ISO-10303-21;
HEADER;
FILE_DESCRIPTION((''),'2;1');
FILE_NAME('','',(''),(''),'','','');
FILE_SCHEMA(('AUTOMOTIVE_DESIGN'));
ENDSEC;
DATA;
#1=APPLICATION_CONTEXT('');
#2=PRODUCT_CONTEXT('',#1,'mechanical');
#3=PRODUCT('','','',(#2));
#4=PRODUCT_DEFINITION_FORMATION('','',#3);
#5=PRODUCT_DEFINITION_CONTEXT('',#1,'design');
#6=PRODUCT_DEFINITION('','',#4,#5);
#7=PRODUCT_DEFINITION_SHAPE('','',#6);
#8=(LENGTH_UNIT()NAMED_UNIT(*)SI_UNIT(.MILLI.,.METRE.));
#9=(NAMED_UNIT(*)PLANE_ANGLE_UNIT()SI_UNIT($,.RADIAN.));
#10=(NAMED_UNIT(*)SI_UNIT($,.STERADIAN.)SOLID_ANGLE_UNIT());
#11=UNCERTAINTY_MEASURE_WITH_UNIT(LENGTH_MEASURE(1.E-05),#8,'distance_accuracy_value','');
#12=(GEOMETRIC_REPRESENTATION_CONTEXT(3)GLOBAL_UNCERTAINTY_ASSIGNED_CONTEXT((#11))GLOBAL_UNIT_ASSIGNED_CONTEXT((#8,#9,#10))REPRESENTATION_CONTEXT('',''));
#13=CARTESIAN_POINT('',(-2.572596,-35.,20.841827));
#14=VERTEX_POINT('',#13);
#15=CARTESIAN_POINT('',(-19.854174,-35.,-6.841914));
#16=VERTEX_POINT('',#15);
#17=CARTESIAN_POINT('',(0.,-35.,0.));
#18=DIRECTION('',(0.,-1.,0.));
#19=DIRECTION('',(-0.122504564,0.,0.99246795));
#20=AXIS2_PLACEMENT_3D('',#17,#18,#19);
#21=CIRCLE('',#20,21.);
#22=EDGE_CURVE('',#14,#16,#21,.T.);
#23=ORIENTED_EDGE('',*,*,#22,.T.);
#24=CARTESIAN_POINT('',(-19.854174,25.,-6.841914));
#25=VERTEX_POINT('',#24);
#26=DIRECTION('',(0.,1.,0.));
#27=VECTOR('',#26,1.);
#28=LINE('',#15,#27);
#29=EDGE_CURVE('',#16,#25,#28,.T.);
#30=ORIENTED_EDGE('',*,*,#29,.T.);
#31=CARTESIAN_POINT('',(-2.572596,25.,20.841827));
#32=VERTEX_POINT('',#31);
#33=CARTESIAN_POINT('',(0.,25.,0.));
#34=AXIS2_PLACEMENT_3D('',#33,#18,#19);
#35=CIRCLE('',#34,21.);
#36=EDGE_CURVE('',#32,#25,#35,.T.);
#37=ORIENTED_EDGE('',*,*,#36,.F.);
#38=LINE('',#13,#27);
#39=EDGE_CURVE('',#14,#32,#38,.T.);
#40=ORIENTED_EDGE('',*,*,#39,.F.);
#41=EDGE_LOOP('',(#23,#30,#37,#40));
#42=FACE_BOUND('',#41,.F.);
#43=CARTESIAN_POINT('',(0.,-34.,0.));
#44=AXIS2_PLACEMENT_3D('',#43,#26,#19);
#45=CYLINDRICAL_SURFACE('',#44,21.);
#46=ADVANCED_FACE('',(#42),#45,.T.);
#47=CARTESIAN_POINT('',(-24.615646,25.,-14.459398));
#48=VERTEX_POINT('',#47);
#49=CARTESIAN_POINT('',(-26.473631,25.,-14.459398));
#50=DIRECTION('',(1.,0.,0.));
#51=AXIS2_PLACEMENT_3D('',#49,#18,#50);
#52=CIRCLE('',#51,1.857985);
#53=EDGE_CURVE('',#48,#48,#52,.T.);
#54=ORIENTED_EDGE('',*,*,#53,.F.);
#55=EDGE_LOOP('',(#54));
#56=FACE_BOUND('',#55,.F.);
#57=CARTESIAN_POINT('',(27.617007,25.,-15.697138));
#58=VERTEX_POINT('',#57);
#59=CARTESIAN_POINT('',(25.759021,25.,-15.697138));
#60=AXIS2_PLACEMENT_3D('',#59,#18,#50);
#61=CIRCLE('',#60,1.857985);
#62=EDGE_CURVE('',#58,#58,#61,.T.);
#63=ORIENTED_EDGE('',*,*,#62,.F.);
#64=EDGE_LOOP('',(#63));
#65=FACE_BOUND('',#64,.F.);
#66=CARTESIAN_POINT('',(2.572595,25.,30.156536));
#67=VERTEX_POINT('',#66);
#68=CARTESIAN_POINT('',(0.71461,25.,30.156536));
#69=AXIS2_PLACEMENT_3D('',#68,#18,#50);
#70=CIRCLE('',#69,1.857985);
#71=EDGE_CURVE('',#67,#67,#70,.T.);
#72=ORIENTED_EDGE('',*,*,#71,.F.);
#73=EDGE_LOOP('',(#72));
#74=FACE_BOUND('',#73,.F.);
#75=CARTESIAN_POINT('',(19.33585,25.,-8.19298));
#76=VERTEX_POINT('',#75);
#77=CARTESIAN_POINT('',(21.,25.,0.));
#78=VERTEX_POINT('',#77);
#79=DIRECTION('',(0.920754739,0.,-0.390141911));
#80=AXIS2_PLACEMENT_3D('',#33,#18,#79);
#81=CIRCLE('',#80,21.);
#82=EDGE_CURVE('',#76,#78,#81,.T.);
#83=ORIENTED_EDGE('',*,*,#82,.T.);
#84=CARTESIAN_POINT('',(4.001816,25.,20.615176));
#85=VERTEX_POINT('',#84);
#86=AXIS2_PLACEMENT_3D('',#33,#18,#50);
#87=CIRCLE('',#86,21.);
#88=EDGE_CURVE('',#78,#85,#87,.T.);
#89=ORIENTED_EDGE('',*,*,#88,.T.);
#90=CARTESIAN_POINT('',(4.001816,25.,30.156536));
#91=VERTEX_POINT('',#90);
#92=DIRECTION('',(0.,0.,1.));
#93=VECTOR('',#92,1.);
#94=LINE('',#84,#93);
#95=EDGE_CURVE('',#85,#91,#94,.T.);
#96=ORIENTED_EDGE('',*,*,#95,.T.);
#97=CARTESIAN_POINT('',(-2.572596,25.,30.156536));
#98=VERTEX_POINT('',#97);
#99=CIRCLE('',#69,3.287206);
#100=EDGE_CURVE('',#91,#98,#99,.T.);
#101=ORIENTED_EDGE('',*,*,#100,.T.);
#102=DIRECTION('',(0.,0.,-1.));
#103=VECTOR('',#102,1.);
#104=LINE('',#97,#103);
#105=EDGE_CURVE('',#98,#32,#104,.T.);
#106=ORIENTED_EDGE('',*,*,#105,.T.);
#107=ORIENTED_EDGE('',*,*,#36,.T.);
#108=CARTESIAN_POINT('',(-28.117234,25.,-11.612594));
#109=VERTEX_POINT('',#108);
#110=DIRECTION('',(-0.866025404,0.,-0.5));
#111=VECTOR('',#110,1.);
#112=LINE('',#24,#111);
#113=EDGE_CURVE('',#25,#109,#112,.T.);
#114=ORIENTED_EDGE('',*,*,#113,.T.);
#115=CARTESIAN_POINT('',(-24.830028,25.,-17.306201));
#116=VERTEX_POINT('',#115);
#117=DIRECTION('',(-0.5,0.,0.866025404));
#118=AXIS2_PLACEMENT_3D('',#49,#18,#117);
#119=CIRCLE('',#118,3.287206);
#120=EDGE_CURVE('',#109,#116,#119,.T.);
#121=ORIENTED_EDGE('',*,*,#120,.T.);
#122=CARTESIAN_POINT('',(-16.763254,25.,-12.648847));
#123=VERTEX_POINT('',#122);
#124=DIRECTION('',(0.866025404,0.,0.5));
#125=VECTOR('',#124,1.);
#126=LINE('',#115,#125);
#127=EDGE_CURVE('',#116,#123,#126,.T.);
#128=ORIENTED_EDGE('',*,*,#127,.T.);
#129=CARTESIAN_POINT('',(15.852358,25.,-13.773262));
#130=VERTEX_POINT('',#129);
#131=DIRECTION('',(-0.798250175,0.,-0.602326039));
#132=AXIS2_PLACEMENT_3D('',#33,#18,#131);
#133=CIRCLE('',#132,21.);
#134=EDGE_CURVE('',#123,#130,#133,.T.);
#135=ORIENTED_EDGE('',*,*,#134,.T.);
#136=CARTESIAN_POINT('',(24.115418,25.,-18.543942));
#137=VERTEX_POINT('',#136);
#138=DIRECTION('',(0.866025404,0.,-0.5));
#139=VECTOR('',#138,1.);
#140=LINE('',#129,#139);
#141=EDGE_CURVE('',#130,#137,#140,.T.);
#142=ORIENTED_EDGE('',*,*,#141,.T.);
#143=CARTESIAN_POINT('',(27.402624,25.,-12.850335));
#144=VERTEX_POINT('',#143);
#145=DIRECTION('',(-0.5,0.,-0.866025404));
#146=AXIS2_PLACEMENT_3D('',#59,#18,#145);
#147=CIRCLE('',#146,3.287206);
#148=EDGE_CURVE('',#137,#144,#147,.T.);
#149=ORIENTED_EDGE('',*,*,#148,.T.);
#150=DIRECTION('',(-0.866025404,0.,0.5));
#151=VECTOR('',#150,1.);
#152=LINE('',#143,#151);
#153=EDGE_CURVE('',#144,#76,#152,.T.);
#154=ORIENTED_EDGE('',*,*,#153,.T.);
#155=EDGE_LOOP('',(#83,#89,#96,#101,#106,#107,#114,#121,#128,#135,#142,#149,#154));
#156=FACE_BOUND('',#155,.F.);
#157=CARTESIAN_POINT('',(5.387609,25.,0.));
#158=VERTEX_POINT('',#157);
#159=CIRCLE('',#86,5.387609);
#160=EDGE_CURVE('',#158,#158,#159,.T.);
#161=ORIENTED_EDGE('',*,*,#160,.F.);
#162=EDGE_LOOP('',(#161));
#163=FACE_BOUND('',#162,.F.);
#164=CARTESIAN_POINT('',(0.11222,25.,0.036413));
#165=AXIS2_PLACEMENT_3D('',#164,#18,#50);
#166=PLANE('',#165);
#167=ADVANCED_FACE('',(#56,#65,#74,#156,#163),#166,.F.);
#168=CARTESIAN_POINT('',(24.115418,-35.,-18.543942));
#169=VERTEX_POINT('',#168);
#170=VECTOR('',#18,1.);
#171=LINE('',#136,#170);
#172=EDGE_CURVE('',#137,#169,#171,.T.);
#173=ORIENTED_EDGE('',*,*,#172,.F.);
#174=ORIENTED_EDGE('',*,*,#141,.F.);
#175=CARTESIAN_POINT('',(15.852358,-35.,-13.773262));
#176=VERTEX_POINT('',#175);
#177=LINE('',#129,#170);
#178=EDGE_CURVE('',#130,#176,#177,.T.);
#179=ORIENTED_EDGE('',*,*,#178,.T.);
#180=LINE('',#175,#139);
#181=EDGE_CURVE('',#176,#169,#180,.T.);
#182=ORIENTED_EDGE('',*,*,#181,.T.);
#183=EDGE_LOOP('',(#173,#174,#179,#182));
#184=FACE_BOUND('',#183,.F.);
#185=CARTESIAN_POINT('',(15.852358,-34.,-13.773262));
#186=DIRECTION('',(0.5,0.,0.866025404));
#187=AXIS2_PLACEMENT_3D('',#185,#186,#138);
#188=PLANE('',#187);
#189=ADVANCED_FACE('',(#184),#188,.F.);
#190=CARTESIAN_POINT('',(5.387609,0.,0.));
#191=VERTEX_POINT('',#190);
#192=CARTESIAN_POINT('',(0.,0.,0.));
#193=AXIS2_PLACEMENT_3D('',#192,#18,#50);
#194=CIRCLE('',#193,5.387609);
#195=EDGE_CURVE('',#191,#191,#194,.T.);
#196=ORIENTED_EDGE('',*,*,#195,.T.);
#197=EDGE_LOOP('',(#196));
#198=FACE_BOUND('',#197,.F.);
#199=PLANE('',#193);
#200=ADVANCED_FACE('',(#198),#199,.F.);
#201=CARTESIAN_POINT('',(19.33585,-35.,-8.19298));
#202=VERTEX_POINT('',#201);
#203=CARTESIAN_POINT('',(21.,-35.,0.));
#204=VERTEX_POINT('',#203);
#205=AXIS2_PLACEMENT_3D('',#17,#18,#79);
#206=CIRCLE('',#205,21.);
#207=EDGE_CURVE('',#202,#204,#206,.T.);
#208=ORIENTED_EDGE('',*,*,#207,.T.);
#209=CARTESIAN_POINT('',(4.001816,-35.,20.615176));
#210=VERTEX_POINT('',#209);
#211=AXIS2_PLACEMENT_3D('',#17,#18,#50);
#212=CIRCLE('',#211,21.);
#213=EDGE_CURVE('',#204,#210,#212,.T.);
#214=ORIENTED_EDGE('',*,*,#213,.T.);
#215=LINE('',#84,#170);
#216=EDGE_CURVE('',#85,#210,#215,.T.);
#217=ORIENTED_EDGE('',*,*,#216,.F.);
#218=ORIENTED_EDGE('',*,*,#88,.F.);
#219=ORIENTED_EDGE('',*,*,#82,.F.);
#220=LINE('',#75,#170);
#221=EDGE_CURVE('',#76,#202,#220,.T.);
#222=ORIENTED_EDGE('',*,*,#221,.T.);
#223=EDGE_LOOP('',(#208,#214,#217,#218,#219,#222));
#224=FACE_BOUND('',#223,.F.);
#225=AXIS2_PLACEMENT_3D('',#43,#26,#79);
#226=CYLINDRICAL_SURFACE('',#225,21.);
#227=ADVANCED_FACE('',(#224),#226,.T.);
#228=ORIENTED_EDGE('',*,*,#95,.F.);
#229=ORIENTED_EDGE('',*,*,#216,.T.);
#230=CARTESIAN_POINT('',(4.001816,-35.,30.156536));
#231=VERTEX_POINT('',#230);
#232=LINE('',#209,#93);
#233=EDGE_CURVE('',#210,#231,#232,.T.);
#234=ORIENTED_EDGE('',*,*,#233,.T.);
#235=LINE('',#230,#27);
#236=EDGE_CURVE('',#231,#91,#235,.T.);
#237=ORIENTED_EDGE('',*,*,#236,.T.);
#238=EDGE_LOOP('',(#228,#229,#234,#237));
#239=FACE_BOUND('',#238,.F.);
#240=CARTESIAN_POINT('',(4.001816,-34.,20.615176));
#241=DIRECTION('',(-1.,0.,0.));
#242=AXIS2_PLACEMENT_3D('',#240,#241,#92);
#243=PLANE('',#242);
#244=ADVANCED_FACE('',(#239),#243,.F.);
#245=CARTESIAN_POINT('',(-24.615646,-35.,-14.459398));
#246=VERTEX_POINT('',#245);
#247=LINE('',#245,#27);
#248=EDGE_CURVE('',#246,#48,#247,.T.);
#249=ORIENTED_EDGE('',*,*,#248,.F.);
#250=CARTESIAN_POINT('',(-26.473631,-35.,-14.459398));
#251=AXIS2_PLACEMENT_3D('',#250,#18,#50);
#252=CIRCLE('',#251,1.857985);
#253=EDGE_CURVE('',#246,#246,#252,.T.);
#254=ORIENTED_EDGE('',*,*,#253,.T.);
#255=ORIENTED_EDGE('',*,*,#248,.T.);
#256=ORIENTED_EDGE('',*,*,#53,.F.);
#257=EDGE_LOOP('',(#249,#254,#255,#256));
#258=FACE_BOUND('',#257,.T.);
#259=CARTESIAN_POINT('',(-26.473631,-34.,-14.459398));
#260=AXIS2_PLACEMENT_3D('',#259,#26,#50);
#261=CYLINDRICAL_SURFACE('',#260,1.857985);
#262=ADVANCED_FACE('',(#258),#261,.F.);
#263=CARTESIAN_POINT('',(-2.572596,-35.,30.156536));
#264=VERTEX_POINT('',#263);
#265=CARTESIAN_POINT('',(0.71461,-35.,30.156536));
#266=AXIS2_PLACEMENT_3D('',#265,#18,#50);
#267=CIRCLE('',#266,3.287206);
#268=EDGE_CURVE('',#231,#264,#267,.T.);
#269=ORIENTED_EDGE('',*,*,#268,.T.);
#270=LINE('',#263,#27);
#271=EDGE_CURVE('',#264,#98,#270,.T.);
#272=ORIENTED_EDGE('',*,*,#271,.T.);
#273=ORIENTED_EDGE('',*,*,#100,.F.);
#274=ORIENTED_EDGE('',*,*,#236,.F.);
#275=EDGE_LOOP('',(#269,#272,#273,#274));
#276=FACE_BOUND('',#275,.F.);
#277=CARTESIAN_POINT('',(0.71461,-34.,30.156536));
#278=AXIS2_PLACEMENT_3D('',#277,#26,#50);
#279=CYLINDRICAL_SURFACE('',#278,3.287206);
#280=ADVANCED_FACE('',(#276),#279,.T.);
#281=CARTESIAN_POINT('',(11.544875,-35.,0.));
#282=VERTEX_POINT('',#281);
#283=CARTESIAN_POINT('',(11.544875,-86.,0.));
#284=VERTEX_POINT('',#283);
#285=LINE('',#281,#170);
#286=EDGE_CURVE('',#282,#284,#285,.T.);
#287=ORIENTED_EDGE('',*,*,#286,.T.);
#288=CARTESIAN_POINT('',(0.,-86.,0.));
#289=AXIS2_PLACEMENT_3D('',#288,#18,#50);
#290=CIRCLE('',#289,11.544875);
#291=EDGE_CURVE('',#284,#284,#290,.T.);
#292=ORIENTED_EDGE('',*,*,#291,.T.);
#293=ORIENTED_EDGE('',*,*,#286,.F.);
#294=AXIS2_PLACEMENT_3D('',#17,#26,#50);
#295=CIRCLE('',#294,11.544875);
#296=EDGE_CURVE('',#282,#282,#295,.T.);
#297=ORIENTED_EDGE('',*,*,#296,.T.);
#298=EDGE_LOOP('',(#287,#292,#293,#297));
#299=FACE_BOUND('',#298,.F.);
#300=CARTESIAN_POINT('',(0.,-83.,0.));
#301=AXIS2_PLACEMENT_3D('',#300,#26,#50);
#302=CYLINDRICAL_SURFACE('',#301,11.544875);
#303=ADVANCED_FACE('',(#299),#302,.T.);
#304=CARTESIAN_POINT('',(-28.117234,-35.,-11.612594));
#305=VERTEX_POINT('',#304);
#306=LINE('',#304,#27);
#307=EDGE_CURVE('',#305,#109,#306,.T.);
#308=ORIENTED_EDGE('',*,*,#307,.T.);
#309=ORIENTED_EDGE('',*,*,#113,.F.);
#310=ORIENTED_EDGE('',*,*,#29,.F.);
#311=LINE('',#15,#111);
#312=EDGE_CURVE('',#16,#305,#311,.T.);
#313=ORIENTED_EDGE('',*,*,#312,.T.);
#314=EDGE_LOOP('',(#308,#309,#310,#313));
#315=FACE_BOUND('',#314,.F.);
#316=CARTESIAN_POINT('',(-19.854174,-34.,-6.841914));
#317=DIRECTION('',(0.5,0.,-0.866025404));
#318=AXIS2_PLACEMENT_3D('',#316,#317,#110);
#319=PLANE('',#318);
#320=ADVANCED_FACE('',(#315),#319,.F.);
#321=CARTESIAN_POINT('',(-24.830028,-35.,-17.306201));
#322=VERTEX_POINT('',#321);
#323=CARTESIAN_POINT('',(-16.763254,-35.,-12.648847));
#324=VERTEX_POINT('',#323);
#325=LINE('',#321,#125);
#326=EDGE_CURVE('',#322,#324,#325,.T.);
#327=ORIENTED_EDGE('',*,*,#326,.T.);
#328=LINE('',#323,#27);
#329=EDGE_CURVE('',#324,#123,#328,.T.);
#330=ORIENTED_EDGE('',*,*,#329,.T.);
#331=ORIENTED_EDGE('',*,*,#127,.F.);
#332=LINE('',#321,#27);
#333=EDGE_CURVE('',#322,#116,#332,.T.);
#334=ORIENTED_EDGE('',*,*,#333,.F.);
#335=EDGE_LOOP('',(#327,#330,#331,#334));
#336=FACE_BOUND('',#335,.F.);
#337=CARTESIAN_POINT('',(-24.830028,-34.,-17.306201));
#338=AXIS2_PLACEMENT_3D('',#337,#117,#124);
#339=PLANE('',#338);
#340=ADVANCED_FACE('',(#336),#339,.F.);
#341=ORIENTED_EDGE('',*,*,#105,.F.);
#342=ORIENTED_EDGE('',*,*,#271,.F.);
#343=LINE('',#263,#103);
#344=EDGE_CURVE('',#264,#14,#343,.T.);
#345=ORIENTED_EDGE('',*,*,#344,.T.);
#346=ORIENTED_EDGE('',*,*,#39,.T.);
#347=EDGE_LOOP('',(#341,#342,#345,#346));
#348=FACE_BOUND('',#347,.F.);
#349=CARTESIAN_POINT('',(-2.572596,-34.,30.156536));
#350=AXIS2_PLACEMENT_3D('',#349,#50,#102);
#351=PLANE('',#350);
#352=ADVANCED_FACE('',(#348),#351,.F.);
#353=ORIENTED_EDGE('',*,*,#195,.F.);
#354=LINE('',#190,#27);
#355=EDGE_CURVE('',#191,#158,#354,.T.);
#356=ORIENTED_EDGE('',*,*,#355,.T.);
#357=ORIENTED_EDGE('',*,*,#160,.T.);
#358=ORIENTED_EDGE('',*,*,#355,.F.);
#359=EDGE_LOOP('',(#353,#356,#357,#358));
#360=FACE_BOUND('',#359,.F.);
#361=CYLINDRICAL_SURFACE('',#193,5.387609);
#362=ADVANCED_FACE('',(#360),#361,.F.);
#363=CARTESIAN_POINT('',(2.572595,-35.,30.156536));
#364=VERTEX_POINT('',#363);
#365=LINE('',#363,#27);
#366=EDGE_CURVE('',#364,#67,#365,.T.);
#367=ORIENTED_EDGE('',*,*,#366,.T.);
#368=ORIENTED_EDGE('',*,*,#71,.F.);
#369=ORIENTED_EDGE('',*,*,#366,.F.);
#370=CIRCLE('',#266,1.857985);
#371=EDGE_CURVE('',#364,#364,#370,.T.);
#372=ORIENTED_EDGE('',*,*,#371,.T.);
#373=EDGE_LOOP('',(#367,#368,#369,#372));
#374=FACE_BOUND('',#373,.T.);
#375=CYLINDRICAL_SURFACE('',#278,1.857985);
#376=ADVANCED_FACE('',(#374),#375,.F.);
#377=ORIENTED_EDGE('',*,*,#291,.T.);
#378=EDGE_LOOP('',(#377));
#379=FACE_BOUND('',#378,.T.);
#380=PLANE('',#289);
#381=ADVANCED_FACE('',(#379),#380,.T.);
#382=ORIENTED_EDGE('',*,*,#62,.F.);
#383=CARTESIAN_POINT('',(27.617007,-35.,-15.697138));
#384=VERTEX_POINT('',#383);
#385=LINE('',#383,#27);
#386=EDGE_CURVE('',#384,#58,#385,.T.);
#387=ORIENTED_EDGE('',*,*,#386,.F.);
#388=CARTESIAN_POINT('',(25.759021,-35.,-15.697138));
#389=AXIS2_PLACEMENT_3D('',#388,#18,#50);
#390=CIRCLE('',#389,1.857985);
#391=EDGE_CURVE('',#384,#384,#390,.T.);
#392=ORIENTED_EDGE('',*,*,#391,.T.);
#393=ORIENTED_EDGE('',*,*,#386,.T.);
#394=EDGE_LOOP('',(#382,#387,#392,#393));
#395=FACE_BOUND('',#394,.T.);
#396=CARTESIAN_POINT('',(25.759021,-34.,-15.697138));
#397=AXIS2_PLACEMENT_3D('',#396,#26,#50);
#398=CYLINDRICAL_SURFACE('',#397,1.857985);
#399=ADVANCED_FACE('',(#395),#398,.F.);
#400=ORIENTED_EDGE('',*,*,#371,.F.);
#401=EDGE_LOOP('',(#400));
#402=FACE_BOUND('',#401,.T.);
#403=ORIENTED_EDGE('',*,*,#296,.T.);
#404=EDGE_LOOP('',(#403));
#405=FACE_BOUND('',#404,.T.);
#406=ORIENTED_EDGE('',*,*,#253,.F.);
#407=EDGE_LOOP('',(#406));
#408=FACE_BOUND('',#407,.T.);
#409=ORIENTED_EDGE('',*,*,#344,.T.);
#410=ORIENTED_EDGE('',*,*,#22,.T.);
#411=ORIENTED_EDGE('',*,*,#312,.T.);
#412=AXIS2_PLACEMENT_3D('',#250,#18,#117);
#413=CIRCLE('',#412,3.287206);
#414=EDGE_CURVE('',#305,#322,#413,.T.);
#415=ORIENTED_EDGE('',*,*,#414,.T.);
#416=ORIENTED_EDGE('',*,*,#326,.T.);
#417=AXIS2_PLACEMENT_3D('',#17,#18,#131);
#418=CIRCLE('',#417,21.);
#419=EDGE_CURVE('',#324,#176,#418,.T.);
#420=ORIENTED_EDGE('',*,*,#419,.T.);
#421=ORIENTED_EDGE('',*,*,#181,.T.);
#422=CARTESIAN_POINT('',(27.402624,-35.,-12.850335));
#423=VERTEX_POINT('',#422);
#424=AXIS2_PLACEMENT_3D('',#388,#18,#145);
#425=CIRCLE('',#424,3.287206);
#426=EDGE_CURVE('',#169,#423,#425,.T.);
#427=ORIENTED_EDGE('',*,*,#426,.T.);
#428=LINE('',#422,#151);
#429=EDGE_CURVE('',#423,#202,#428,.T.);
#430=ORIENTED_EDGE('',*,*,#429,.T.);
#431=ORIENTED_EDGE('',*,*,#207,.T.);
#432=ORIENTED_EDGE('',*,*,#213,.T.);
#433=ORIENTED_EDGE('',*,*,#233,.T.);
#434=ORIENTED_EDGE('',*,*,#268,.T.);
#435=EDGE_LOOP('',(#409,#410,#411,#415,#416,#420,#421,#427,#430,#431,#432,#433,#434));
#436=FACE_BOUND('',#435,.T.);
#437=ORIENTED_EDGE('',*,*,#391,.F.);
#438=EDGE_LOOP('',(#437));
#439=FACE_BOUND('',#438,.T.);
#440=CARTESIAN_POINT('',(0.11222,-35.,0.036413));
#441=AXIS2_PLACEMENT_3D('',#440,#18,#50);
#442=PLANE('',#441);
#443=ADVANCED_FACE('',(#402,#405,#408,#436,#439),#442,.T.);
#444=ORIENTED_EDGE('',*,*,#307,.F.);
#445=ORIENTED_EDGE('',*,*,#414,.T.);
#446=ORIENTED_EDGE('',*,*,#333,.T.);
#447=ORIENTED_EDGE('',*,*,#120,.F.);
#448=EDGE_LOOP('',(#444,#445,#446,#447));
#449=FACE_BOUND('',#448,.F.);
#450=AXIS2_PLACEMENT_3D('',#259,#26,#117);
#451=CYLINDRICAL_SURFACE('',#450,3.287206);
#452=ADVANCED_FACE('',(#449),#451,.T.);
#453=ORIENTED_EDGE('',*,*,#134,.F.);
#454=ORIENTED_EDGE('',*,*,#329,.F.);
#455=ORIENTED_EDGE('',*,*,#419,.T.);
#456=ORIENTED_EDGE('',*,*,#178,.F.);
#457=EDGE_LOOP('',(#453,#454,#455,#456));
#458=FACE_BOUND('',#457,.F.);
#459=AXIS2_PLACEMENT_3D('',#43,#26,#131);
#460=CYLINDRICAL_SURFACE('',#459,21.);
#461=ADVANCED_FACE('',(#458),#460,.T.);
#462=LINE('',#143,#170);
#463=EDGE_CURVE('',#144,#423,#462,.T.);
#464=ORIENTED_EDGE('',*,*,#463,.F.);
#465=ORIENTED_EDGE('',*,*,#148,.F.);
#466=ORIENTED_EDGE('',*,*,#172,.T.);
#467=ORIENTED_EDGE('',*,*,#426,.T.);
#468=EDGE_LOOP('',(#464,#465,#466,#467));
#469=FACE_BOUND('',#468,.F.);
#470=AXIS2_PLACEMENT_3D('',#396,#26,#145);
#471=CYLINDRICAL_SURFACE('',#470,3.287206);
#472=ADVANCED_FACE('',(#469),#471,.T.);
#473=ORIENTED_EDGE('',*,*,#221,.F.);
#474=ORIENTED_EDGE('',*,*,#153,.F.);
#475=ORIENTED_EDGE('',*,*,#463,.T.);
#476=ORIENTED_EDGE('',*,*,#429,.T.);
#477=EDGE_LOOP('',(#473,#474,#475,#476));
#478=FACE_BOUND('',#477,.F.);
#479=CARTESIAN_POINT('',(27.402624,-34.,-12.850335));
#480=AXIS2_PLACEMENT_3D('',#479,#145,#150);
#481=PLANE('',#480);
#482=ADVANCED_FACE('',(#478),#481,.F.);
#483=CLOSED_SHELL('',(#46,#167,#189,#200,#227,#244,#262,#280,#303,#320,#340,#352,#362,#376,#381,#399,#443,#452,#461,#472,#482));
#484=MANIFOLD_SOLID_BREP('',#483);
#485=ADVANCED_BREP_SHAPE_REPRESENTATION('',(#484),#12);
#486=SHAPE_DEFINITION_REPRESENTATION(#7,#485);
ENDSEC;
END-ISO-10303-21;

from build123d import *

# Parameters (mm, degrees)
F0_R      = 1.8579854111
F1_DEPTH  = 25
F2_DEPTH  = 25
F3_R      = 11.5448753259
F4_DEPTH  = 80
F5_DEPTH  = 3
F6_DEPTH  = 3
F7_R      = 5.3876087587
F8_DEPTH  = 25.001
F9_DEPTH  = 3
F10_DEPTH = 1
F11_DEPTH = 3


with BuildPart() as f1:
    # F0 (on Front) → F1 (new body)
    with BuildSketch(Plane.XZ):
        with BuildLine():
            ThreePointArc((19.3358495207, -8.192980124), (20.5797575294, -4.1801411498), (21, 0))
            ThreePointArc((21, 0), (16.2024401229, 13.3596756721), (4.0018158033, 20.6151757275))
            ThreePointArc((4.0018158033, 20.6151757275), (0.7235399919, 20.987531772), (-2.5725958403, 20.8418269507))
            ThreePointArc((-2.5725958403, 20.8418269507), (-17.8139656813, 11.1203698997), (-19.8541737852, -6.8419137168))
            ThreePointArc((-19.8541737852, -6.8419137168), (-18.5375056732, -9.8671618723), (-16.7632536804, -12.6488468267))
            ThreePointArc((-16.7632536804, -12.6488468267), (-0.7235399919, -20.987531772), (15.8523579818, -13.7732620107))
            ThreePointArc((15.8523579818, -13.7732620107), (17.8139656813, -11.1203698997), (19.3358495207, -8.192980124))
        make_face()
        with BuildLine():
            ThreePointArc((-2.5725958403, 20.8418269507), (0.7235399919, 20.987531772), (4.0018158033, 20.6151757275))
            Line((4.0018158033, 20.6151757275), (4.0018158033, 30.1565360278))
            ThreePointArc((4.0018158033, 30.1565360278), (0.7146099815, 33.4437418496), (-2.5725958403, 30.1565360278))
            Line((-2.5725958403, 30.1565360278), (-2.5725958403, 20.8418269507))
        make_face()
        with Locations((0.7146099815, 30.1565360278)):
            Circle(F0_R, mode=Mode.SUBTRACT)
        with BuildLine():
            ThreePointArc((-16.7632536804, -12.6488468267), (-18.5375056732, -9.8671618723), (-19.8541737852, -6.8419137168))
            Line((-19.8541737852, -6.8419137168), (-28.1172341919, -11.6125938669))
            ThreePointArc((-28.1172341919, -11.6125938669), (-29.3204350301, -16.103000527), (-24.83002837, -17.3062013653))
            Line((-24.83002837, -17.3062013653), (-16.7632536804, -12.6488468267))
        make_face()
        with Locations((-26.473631281, -14.4593976161)):
            Circle(F0_R, mode=Mode.SUBTRACT)
        with BuildLine():
            Line((27.4026242104, -12.8503346625), (19.3358495207, -8.192980124))
            ThreePointArc((19.3358495207, -8.192980124), (17.8139656813, -11.1203698997), (15.8523579818, -13.7732620107))
            Line((15.8523579818, -13.7732620107), (24.1154183885, -18.5439421609))
            ThreePointArc((24.1154183885, -18.5439421609), (28.6058250486, -17.3407413226), (27.4026242104, -12.8503346625))
        make_face()
        with Locations((25.7590212994, -15.6971384117)):
            Circle(F0_R, mode=Mode.SUBTRACT)
    extrude(amount=F1_DEPTH)

    # F2 (add): faces of the model
    f2_faces = [f1.faces().sort_by_distance(p)[0] for p in [
        (0, 0, 0),
        (0, -25, 0),
    ]]
    extrude(f2_faces, amount=F2_DEPTH, dir=(0, 1, 0))

    # F3 (on Front) → F4 (join)
    with BuildSketch(Plane.XZ):
        Circle(F3_R)
    extrude(amount=F4_DEPTH)

    # F5 (add): faces of the model
    f5_faces = [f1.faces().sort_by_distance(p)[0] for p in [
        (0, -80, 0),
        (-1.771197573, -25, 25.4991814892),
    ]]
    extrude(f5_faces, amount=F5_DEPTH)

    # F6 (add): a face of the model
    f6_faces = [f1.faces().sort_by_distance(p)[0] for p in [
        (-1.771197573, -28, 25.4991814892),
    ]]
    extrude(f6_faces, amount=F6_DEPTH)

    # F7 (on Front) → F8 (cut, through all)
    with BuildSketch(Plane.XZ):
        Circle(F7_R)
    extrude(amount=-F8_DEPTH, mode=Mode.SUBTRACT)

    # F9 (add): a face of the model
    f9_faces = [f1.faces().sort_by_distance(p)[0] for p in [
        (-1.771197573, -31, 25.4991814892),
    ]]
    extrude(f9_faces, amount=F9_DEPTH)

    # F10 (add): a face of the model
    f10_faces = [f1.faces().sort_by_distance(p)[0] for p in [
        (-1.771197573, -34, 25.4991814892),
    ]]
    extrude(f10_faces, amount=F10_DEPTH)

    # F11 (add): a face of the model
    f11_faces = [f1.faces().sort_by_distance(p)[0] for p in [
        (0, -83, 0),
    ]]
    extrude(f11_faces, amount=F11_DEPTH)


solid = f1.part
